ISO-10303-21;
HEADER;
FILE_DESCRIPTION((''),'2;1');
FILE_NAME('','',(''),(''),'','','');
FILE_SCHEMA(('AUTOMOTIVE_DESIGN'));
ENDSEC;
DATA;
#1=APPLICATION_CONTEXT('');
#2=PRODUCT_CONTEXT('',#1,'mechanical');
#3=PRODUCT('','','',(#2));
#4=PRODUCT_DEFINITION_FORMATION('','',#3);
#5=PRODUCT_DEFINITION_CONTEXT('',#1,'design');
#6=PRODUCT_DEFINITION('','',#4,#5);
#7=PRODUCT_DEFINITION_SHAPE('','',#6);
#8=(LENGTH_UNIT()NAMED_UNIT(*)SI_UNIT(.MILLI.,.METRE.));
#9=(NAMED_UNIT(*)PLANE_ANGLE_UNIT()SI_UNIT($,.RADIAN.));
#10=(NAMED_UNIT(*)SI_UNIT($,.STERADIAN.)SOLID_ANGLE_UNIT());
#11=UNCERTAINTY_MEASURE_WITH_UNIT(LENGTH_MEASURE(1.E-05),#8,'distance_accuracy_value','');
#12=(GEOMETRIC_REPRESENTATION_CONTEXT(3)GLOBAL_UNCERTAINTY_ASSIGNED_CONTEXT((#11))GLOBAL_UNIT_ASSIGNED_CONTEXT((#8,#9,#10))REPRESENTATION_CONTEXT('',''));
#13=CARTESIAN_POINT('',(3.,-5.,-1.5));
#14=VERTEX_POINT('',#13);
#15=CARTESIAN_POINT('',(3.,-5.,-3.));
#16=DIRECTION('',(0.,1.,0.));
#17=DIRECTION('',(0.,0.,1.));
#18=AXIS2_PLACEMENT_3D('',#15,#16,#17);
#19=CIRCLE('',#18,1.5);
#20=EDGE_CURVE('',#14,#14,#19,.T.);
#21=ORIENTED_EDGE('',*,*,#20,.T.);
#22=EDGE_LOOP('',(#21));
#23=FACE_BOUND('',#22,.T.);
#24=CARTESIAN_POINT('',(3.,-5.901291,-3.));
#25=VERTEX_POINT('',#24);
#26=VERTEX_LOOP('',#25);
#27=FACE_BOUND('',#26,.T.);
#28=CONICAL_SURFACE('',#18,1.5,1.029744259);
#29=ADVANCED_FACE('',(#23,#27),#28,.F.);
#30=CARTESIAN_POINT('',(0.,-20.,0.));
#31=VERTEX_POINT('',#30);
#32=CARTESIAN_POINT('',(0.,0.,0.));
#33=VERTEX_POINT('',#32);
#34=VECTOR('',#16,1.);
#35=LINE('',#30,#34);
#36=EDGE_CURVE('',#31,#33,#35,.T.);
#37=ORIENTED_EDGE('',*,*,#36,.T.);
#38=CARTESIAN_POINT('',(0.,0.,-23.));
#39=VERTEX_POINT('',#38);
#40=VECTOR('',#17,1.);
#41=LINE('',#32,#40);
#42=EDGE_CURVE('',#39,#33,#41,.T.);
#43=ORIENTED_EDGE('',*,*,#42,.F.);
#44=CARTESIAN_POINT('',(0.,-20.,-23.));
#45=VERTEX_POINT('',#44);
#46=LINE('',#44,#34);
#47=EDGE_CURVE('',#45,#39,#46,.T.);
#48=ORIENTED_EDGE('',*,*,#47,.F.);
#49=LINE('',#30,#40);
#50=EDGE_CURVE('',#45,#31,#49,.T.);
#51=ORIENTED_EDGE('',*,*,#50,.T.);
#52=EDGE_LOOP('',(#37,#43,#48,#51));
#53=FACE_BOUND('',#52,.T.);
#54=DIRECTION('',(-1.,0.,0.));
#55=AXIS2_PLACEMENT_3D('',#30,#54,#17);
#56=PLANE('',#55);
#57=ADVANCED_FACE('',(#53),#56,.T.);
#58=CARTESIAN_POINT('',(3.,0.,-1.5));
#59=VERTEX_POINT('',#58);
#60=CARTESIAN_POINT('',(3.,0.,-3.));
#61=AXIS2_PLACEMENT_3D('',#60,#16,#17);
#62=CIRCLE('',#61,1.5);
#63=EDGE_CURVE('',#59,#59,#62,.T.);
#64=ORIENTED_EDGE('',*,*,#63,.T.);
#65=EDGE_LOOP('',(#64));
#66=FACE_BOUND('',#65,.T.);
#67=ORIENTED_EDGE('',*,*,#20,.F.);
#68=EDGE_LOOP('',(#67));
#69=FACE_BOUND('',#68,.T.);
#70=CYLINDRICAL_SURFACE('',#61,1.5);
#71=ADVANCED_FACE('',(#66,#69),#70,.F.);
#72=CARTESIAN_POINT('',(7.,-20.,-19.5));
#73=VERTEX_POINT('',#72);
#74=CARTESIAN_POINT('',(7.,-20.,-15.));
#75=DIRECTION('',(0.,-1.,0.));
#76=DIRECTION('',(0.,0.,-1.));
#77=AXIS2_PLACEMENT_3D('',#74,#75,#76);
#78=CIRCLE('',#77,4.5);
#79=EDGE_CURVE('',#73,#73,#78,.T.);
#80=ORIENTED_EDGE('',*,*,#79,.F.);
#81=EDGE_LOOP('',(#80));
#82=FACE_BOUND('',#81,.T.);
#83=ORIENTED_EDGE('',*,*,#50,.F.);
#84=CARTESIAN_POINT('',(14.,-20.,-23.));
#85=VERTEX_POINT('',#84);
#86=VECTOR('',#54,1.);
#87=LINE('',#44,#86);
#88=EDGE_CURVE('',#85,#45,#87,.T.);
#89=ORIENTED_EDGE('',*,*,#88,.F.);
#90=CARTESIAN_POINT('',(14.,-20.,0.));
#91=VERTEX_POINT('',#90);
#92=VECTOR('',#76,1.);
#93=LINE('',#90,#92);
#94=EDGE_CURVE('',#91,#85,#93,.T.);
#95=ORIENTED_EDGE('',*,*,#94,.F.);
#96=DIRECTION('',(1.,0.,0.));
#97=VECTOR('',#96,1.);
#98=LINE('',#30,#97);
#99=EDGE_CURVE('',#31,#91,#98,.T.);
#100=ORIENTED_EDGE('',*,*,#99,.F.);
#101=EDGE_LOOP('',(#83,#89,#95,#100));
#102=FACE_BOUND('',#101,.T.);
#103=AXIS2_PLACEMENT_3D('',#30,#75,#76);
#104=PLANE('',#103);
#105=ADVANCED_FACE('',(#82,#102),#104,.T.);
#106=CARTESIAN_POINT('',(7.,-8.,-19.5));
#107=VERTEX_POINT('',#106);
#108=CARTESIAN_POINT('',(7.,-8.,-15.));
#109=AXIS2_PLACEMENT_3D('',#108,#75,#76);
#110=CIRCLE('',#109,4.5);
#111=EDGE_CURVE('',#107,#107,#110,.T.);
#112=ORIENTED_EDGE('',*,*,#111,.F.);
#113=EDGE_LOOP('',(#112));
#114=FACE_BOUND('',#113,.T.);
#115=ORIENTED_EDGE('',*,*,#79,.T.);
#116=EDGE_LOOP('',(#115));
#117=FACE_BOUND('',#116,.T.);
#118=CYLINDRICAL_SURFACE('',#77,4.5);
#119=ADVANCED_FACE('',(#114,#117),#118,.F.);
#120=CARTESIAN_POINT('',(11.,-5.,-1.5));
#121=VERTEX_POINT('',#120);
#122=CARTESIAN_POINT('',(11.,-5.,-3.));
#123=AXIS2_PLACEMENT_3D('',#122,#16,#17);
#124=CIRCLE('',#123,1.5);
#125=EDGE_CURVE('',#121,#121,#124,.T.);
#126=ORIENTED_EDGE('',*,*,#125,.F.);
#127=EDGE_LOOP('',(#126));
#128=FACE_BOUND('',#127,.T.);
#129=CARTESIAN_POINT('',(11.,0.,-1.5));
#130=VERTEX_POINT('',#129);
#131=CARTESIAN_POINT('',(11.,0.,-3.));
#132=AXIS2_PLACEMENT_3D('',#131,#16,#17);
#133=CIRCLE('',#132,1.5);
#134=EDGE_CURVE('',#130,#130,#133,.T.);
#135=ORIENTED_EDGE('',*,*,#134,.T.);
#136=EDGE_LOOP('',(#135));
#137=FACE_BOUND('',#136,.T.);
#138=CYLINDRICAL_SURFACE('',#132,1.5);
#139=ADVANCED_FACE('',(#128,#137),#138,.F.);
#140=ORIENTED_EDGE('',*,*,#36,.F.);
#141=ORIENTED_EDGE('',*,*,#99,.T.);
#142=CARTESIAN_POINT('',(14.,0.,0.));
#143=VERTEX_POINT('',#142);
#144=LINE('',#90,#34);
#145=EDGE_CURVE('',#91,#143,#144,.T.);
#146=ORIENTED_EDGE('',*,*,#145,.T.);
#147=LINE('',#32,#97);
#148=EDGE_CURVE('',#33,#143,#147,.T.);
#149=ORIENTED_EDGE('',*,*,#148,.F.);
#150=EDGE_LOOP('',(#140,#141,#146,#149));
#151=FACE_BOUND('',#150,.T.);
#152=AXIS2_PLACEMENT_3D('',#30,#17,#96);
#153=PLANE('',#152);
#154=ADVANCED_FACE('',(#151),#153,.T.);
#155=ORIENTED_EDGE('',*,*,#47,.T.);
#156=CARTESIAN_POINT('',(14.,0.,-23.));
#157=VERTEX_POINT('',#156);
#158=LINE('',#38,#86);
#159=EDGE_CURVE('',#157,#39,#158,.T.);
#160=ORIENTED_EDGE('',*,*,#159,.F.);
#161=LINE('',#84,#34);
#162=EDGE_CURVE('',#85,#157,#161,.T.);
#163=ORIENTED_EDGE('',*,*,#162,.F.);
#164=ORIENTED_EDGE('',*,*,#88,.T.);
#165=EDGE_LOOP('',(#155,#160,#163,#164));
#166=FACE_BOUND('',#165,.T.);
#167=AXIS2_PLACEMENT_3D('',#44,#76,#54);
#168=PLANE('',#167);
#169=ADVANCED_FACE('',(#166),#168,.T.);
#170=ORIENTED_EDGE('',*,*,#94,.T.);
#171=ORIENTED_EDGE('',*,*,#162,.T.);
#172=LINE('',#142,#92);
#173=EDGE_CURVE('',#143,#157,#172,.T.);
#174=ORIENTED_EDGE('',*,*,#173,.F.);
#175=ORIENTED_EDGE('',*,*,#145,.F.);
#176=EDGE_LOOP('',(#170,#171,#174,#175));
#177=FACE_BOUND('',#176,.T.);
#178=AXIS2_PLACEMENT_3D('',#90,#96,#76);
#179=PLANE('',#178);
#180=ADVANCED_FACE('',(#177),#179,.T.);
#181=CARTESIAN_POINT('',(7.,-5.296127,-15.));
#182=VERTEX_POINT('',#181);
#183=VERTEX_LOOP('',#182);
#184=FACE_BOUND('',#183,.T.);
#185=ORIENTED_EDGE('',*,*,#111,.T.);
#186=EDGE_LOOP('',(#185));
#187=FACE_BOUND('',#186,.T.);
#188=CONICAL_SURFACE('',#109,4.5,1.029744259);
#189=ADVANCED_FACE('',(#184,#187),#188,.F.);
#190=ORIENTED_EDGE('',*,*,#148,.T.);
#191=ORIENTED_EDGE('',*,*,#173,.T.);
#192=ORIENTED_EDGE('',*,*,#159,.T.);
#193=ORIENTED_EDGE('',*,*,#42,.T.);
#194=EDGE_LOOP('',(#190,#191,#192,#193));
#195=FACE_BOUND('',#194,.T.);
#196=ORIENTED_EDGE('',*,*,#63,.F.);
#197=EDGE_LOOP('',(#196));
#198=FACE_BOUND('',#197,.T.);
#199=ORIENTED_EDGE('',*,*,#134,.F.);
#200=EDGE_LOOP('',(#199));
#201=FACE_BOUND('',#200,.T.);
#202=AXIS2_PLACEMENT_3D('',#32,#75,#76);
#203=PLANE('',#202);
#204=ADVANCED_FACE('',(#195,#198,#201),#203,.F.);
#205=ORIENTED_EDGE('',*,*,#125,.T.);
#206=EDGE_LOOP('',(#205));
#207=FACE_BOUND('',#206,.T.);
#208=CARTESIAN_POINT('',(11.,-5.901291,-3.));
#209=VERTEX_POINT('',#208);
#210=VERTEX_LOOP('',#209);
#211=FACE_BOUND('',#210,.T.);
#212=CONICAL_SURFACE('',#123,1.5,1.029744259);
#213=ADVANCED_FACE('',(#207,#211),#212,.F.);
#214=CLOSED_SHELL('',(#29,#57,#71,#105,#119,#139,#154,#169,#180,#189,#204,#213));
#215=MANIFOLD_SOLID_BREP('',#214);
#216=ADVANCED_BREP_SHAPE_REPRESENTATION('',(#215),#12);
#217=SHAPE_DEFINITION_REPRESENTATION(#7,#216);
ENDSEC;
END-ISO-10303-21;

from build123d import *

# Parameters (mm, degrees)
SKETCH1_W                  = 14
SKETCH1_H                  = 23
BOSS_EXTRUDE1_DEPTH        = 20
F_3_0MM_DOWEL_HOLE1_D      = 3
F_3_0MM_DOWEL_HOLE1_DEPTH  = 5
F_3_0MM_DOWEL_HOLE1_TIP    = 0.901290929
M10X1_0_TAPPED_HOLE1_D     = 9
M10X1_0_TAPPED_HOLE1_DEPTH = 12
M10X1_0_TAPPED_HOLE1_TIP   = 2.703872786


with BuildPart() as part:
    # Sketch1 → Boss-Extrude1 (new body)
    with BuildSketch(Plane(origin=(0, 0, 0), x_dir=(1, 0, 0), z_dir=(0, 1, 0))):
        with Locations((7, 11.5)):
            Rectangle(SKETCH1_W, SKETCH1_H)
    extrude(amount=-BOSS_EXTRUDE1_DEPTH)

    # Ø3.0mm Dowel Hole1
    with Locations(Plane(origin=(0, 0, 0), x_dir=(1, 0, 0), z_dir=(0, 1, 0))):
        with Locations((3, 3), (11, 3)):
            Hole(F_3_0MM_DOWEL_HOLE1_D / 2, depth=F_3_0MM_DOWEL_HOLE1_DEPTH)
            with Locations((0, 0, -(F_3_0MM_DOWEL_HOLE1_DEPTH + F_3_0MM_DOWEL_HOLE1_TIP / 2))):  # 118° drill point
                Cone(0, F_3_0MM_DOWEL_HOLE1_D / 2, F_3_0MM_DOWEL_HOLE1_TIP, mode=Mode.SUBTRACT)

    # M10x1.0 Tapped Hole1
    with Locations(Plane(origin=(0, -20, 0), x_dir=(-1, 0, 0), z_dir=(0, -1, 0))):
        with Locations((-7, 15)):
            Hole(M10X1_0_TAPPED_HOLE1_D / 2, depth=M10X1_0_TAPPED_HOLE1_DEPTH)
            with Locations((0, 0, -(M10X1_0_TAPPED_HOLE1_DEPTH + M10X1_0_TAPPED_HOLE1_TIP / 2))):  # 118° drill point
                Cone(0, M10X1_0_TAPPED_HOLE1_D / 2, M10X1_0_TAPPED_HOLE1_TIP, mode=Mode.SUBTRACT)


solid = part.part
